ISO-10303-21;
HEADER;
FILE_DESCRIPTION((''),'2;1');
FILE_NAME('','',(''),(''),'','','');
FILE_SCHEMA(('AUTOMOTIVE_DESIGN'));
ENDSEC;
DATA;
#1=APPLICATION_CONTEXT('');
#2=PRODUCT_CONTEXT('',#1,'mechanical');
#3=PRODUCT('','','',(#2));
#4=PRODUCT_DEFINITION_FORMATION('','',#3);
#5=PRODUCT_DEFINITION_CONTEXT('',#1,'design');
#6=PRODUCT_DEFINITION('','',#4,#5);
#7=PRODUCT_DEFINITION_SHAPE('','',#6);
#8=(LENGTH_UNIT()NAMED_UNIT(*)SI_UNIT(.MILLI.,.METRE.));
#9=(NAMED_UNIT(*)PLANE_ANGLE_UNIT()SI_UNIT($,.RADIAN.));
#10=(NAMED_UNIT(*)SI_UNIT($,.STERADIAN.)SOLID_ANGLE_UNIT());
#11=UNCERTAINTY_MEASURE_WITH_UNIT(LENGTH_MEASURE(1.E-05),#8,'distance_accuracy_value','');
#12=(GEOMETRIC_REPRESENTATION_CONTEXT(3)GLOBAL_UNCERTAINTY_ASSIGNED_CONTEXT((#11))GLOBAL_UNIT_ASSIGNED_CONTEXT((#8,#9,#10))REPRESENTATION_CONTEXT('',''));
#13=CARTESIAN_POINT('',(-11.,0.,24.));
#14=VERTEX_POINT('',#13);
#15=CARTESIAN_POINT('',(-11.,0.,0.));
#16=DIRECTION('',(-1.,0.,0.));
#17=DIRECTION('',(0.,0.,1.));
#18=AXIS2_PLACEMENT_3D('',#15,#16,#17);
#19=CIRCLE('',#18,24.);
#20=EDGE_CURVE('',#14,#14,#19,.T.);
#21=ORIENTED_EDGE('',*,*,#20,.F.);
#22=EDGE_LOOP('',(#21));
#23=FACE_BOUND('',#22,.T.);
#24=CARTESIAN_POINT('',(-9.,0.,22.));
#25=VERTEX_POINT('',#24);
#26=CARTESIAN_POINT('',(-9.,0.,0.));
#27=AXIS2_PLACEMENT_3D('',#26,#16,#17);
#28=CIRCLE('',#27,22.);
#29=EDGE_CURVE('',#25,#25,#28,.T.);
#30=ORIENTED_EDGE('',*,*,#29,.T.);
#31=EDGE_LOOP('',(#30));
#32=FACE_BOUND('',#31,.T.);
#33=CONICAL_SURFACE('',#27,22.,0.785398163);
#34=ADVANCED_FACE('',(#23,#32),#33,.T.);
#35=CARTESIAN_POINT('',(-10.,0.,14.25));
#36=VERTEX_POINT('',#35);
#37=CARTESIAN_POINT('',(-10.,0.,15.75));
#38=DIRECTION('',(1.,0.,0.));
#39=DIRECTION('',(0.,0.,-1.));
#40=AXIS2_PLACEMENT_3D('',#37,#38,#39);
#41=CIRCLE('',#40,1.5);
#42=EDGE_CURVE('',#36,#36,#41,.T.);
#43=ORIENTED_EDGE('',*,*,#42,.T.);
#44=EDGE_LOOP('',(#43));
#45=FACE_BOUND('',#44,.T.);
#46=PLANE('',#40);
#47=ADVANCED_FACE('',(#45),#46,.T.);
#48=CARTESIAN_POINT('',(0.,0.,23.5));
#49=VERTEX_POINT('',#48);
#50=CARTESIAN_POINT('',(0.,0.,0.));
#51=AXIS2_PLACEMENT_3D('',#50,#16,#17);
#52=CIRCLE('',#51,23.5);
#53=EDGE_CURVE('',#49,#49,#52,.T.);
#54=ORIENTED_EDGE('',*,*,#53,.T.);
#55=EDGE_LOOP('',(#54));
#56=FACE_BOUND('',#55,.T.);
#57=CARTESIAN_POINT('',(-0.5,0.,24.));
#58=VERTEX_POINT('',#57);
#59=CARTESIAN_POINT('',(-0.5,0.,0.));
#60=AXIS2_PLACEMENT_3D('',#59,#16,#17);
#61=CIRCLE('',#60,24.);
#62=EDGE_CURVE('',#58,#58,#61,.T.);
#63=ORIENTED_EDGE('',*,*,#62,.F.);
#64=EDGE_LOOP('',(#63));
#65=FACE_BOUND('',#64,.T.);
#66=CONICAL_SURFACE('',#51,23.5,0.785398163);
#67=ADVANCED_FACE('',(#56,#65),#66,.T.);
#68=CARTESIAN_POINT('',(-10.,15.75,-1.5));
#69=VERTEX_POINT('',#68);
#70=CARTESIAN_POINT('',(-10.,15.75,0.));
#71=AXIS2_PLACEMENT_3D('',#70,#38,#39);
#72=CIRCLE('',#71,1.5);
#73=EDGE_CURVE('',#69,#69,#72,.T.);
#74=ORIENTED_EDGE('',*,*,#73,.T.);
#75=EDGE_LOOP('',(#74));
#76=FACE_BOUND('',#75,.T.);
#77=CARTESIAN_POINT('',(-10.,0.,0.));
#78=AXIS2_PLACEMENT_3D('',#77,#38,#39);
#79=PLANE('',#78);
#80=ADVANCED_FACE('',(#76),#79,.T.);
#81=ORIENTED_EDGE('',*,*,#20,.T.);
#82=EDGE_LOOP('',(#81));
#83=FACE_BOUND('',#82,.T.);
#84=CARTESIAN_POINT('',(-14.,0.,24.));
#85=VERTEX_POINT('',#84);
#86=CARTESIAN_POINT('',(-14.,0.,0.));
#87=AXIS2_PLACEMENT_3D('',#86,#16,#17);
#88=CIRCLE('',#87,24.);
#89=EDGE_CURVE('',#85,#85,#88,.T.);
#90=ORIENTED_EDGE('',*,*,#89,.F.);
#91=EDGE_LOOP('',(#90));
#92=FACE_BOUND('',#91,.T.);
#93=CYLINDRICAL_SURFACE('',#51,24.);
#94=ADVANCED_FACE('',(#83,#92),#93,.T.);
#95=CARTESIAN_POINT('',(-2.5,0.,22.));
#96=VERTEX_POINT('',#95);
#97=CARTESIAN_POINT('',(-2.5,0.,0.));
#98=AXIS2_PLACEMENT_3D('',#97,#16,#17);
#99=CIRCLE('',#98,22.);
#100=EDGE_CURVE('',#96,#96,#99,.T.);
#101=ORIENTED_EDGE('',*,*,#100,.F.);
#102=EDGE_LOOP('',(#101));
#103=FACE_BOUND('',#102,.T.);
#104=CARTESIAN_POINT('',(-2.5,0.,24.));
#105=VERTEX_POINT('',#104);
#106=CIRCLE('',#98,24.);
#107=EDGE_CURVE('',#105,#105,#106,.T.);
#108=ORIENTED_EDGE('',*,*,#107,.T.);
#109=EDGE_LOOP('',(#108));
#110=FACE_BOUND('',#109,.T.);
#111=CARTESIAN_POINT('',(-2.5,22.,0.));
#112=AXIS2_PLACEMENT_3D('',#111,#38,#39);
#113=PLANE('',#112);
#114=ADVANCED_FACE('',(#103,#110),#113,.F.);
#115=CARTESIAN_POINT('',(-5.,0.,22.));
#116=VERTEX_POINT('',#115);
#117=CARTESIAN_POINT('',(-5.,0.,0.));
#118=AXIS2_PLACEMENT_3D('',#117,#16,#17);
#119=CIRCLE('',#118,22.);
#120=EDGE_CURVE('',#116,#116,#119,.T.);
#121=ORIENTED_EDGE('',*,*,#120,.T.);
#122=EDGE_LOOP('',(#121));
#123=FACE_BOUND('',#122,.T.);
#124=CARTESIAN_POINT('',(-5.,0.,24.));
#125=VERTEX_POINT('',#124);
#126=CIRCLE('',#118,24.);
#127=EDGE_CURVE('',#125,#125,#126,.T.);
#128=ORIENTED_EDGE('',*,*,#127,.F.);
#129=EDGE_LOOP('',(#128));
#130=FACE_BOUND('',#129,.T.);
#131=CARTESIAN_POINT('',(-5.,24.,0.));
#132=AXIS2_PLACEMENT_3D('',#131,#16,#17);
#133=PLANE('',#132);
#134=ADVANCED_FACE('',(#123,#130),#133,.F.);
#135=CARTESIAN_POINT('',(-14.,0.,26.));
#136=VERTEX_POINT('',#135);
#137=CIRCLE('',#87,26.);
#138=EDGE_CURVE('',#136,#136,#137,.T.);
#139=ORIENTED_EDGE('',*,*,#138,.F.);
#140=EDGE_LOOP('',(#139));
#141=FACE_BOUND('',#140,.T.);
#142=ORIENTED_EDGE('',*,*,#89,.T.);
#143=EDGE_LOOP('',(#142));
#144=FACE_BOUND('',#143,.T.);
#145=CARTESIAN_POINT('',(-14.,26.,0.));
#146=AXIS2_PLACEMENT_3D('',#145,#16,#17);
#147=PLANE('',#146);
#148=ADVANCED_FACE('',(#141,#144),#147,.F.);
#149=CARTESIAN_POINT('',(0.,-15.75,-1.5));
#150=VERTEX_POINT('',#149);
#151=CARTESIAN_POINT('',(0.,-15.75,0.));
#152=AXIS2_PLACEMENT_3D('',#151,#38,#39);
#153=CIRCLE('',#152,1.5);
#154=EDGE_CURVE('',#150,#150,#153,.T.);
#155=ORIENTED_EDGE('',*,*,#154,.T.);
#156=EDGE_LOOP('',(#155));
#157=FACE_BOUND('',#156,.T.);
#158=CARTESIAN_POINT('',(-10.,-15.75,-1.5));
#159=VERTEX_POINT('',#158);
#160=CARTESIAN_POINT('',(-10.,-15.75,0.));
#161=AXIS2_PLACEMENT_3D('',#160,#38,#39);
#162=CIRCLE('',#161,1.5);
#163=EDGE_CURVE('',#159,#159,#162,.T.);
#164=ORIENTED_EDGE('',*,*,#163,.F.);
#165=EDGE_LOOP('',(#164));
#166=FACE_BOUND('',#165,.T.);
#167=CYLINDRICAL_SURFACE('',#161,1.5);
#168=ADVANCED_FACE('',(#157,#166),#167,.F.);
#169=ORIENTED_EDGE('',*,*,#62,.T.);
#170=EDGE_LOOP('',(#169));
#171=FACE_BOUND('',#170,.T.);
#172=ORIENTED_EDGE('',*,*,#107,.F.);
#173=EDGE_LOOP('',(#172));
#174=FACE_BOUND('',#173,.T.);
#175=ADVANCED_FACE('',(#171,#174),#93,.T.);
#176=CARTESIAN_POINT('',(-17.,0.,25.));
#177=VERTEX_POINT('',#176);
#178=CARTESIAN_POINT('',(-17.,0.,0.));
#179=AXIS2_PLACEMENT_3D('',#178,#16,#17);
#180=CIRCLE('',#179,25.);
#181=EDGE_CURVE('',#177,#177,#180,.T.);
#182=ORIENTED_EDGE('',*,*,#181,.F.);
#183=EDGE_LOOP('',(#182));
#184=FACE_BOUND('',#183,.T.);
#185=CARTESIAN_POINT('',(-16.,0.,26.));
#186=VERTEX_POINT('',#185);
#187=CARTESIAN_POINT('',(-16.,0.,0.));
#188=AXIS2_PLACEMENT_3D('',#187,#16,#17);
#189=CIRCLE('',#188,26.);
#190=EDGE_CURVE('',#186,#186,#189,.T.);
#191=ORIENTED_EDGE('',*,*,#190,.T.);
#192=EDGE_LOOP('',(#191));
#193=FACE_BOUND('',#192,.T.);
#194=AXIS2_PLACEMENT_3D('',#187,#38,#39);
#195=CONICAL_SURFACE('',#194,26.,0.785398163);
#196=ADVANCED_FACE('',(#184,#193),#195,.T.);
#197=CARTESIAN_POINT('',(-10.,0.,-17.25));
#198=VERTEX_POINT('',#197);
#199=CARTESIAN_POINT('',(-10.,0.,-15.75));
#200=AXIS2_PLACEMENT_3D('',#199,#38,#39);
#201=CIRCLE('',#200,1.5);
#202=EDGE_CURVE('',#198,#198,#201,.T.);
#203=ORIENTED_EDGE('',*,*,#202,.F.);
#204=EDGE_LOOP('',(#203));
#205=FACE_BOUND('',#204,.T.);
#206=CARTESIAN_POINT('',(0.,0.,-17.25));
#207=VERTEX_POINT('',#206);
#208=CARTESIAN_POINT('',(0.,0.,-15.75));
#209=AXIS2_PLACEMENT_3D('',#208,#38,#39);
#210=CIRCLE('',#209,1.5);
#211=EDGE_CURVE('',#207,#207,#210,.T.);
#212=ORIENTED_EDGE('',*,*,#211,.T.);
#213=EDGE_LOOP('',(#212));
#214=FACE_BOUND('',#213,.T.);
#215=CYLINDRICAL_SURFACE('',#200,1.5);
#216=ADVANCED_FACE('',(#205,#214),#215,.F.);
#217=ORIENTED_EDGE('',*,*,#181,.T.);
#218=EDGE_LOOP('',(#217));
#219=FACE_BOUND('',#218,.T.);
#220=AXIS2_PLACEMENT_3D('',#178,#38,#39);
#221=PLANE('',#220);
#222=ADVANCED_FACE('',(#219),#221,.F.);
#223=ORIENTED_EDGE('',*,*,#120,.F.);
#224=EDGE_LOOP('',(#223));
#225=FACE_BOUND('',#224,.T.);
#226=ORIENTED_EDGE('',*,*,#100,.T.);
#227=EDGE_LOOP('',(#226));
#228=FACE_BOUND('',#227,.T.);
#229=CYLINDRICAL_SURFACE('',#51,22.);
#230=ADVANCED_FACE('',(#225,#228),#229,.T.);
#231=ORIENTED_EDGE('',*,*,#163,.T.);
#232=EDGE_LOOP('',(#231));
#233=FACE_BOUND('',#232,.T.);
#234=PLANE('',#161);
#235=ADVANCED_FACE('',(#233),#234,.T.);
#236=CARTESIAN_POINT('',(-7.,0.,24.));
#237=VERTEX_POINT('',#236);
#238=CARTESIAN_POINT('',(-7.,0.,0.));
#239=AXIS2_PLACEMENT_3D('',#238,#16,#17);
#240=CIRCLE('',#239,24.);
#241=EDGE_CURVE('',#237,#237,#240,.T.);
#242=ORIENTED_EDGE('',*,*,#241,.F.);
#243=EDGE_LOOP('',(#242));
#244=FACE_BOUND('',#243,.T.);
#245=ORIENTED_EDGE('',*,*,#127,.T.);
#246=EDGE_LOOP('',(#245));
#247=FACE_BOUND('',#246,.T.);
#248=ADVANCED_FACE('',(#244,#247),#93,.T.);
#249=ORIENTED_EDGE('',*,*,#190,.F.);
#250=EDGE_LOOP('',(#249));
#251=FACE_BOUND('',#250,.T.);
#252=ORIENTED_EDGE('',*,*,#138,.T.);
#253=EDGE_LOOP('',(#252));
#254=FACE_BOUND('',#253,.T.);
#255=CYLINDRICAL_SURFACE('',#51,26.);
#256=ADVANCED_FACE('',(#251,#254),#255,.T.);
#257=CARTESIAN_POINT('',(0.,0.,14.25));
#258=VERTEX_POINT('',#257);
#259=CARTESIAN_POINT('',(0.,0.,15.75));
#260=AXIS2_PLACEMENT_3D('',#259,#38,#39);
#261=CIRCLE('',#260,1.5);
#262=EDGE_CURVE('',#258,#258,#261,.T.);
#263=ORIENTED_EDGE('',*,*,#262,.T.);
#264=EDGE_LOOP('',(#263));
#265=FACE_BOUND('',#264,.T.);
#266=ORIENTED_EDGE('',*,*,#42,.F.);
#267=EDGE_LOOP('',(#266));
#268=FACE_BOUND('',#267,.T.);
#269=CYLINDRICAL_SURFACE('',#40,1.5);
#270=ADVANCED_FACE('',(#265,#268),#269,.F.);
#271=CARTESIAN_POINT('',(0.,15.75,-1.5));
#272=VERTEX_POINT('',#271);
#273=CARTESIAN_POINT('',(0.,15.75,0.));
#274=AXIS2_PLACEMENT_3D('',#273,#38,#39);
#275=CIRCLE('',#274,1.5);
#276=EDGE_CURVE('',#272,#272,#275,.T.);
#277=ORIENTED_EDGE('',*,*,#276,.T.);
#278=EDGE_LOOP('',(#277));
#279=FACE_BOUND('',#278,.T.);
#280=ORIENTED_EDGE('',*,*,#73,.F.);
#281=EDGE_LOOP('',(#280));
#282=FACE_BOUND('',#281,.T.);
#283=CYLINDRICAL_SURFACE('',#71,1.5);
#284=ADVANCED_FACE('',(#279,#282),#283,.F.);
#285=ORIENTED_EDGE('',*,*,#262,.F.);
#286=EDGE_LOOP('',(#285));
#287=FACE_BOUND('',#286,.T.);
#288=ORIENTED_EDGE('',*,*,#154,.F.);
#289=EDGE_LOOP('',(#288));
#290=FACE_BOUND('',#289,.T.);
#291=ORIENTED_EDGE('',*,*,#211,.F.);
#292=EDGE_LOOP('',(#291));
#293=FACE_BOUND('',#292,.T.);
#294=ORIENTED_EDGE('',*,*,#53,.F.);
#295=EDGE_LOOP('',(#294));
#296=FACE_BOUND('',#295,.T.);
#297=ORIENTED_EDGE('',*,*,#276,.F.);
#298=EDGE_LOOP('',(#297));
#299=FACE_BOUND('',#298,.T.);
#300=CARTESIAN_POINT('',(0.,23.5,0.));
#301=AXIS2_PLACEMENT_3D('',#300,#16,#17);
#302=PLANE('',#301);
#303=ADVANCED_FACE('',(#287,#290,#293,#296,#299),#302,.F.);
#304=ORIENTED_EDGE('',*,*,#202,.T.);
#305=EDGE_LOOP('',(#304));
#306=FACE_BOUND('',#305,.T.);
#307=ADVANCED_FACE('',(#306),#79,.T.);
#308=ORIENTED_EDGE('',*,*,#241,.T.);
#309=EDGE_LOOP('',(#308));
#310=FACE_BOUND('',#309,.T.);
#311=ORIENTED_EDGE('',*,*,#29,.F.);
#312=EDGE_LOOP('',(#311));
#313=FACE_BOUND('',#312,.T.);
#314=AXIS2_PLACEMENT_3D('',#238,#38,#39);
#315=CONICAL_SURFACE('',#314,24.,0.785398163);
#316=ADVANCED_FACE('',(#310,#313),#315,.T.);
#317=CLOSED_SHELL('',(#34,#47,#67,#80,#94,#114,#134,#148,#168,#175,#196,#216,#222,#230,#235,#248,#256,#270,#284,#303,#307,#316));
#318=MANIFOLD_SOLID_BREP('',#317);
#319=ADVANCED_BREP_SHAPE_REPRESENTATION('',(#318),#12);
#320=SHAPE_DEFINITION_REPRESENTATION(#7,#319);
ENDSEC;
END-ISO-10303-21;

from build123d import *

# Parameters (mm, degrees)
SKETCH_2_R          = 1.5
CUT_EXTRUDE_1_DEPTH = 10


with BuildPart() as part:
    # Эскиз1 → Повернуть1 (revolve)
    with BuildSketch(Plane.XY, mode=Mode.PRIVATE) as revolve_1_sk:
        Polygon((-17, 0), (-17, 25), (-16, 26), (-14, 26), (-14, 24), (-11, 24), (-9, 22), (-7, 24), (-5, 24), (-5, 22), (-2.5, 22), (-2.5, 24), (-0.5, 24), (0, 23.5), (0, 0), align=None)
    revolve(revolve_1_sk.sketch.rotate(Axis((0, 0, 0), (1, 0, 0)), 90), axis=Axis((0, 0, 0), (1, 0, 0)))

    # Эскиз2 → Вырез-Вытянуть1 (cut)
    with BuildSketch(Plane(origin=(0, 0, 0), x_dir=(0, 0, -1), z_dir=(1, 0, 0))):
        with Locations((0, 15.75)):
            Circle(SKETCH_2_R)
        with Locations((15.75, 0)):
            Circle(SKETCH_2_R)
        with Locations((-15.75, 0)):
            Circle(SKETCH_2_R)
        with Locations((0, -15.75)):
            Circle(SKETCH_2_R)
    extrude(amount=-CUT_EXTRUDE_1_DEPTH, mode=Mode.SUBTRACT)


solid = part.part
